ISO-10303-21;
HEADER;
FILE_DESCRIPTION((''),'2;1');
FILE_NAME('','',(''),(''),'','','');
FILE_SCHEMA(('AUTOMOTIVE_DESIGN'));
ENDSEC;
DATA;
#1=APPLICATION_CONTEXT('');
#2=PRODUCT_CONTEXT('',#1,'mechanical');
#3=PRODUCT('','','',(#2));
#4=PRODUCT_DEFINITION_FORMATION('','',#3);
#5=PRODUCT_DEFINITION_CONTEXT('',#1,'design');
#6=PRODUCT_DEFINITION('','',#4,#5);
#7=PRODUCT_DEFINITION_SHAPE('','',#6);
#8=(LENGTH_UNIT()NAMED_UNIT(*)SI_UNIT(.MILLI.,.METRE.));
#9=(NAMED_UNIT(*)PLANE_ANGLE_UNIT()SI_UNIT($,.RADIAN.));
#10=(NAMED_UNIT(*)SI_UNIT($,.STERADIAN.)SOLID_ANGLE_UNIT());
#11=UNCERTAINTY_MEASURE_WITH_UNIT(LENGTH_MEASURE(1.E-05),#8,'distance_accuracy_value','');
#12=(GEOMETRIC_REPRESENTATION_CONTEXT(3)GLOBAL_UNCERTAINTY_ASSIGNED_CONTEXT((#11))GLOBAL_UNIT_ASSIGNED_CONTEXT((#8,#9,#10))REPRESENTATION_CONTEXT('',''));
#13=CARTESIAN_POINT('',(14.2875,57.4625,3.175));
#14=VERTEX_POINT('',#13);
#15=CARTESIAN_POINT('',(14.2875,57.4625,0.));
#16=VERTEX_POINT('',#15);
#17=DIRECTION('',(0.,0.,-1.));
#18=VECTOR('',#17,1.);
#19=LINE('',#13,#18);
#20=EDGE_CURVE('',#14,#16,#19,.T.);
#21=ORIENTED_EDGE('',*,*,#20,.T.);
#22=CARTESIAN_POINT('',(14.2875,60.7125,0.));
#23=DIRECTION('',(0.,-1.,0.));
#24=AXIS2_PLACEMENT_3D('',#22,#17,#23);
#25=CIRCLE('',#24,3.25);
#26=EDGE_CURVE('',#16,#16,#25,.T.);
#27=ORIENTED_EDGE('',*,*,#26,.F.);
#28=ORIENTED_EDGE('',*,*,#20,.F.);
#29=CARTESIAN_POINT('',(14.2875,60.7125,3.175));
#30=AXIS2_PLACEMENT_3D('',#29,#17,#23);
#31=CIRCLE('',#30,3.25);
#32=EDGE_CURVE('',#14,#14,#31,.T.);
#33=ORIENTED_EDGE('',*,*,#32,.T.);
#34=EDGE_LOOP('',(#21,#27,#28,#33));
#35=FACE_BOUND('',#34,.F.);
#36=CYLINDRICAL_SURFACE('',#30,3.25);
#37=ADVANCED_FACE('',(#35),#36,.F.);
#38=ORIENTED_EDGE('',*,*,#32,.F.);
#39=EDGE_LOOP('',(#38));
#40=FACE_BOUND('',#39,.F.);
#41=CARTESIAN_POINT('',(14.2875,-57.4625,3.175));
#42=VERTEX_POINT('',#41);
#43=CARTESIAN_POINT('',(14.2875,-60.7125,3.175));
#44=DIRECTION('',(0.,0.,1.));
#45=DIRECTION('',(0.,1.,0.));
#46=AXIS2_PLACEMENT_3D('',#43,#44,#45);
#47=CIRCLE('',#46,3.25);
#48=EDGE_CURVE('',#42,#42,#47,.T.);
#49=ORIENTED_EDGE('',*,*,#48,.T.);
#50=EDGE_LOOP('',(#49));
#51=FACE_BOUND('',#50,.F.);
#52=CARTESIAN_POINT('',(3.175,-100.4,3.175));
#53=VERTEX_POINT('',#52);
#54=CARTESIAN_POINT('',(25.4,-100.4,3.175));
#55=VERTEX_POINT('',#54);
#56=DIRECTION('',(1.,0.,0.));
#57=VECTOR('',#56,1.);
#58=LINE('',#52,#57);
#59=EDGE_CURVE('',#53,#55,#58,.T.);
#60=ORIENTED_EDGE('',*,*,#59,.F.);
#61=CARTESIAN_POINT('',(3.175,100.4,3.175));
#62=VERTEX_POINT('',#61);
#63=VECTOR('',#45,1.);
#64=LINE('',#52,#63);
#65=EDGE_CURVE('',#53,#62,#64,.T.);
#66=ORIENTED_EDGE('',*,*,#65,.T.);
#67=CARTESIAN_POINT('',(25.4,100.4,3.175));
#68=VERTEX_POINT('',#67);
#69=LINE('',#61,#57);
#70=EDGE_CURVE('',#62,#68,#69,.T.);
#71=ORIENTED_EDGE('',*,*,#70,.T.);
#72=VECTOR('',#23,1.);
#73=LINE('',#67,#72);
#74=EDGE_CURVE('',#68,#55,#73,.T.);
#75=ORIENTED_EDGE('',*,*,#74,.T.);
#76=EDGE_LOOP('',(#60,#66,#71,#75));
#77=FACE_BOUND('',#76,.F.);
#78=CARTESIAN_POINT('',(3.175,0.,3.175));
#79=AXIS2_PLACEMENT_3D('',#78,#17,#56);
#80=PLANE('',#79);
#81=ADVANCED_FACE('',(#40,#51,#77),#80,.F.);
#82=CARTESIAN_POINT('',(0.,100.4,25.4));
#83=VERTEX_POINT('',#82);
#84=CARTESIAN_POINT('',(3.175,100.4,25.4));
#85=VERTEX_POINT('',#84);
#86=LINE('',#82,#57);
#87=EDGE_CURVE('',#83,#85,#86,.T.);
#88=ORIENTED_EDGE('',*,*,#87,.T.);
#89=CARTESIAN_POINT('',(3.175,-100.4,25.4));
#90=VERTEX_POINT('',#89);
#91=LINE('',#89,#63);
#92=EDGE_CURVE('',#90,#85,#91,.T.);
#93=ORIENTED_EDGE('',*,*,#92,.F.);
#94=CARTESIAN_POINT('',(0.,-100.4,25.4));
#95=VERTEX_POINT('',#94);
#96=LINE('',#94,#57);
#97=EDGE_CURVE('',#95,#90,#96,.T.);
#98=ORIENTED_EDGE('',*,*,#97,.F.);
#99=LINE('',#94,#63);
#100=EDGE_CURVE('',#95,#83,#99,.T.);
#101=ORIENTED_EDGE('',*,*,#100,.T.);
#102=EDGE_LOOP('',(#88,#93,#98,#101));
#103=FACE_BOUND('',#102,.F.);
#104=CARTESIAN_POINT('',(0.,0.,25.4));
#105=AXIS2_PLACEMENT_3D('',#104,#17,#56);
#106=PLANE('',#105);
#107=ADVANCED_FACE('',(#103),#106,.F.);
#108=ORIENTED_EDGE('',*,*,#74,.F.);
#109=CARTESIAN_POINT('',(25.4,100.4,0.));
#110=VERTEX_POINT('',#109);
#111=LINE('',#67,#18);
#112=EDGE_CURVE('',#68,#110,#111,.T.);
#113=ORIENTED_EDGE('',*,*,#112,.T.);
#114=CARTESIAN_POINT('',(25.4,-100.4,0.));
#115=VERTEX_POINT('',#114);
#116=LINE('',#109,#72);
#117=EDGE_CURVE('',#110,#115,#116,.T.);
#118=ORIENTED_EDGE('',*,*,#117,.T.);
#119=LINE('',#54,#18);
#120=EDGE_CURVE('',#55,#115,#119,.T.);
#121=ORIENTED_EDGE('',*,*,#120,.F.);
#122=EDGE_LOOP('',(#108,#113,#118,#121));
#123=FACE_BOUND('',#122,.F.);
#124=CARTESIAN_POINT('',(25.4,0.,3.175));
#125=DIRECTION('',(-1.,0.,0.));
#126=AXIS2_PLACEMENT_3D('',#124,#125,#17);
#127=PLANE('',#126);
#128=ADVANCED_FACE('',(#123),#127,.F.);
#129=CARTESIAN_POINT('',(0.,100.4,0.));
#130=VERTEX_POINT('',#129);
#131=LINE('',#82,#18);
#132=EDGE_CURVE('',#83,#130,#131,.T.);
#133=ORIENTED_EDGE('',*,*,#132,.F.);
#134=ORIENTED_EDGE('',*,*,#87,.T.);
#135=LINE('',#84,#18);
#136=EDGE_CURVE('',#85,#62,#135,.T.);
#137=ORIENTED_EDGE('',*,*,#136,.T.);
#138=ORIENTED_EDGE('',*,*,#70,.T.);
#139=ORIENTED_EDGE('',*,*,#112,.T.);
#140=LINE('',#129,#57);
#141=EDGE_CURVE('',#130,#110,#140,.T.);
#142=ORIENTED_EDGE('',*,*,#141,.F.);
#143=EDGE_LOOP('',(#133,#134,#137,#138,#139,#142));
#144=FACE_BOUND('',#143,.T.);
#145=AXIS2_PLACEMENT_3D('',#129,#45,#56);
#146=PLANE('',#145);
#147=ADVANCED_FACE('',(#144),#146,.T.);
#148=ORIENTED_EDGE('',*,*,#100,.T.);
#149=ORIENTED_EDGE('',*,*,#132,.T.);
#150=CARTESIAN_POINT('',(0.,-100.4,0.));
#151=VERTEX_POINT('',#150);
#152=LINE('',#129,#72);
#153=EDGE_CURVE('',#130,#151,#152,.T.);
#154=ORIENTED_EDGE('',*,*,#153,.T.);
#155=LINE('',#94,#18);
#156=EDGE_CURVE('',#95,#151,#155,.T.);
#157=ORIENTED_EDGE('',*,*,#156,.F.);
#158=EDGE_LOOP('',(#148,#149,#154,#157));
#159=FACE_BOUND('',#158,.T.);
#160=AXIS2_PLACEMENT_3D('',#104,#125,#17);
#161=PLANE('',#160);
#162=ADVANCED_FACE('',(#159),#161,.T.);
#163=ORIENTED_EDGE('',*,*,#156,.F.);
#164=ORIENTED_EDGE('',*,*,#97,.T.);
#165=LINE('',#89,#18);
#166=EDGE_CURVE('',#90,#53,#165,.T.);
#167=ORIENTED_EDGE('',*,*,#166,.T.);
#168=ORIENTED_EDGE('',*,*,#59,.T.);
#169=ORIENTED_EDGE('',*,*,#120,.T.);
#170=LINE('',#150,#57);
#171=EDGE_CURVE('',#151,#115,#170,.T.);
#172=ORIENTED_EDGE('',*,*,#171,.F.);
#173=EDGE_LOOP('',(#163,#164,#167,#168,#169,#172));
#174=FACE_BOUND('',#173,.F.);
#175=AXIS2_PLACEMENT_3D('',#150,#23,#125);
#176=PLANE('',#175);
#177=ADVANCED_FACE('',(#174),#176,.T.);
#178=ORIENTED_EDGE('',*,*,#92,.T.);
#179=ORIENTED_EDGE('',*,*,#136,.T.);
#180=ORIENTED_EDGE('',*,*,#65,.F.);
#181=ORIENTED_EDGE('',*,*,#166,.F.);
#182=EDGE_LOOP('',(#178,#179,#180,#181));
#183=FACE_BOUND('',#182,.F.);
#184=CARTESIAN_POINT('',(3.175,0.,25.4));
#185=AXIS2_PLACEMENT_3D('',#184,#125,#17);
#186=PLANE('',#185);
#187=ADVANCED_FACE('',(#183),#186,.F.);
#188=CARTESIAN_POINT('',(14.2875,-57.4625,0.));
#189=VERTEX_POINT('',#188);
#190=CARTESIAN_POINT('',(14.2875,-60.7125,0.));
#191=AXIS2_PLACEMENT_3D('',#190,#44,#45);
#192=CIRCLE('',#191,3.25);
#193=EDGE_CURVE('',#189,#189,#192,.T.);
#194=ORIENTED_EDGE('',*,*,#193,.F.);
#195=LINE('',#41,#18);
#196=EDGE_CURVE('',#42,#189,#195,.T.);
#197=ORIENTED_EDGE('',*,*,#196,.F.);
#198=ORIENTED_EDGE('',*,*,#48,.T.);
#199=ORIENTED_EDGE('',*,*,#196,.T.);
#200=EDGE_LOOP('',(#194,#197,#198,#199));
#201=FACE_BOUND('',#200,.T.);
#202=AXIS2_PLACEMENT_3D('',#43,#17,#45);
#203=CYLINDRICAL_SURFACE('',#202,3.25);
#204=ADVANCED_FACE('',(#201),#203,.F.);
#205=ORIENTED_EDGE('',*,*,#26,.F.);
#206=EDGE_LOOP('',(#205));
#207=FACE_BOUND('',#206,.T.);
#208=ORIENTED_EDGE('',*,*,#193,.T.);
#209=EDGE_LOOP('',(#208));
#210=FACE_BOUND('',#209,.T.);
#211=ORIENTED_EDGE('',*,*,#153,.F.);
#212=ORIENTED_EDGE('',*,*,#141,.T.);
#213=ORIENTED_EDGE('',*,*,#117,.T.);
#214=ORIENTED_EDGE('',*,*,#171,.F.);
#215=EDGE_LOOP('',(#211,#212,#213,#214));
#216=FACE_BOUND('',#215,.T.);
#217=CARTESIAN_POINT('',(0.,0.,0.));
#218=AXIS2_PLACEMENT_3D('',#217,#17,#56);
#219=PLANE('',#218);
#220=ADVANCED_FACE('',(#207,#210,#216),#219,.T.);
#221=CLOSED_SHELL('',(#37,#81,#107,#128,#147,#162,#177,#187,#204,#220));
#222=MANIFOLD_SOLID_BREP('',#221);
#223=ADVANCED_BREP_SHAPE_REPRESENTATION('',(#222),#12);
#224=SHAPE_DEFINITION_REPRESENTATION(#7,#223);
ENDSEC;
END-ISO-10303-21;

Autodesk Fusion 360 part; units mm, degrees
sketch "Sketch1" plane through (0, 0, 0) normal (0, 1, 0) x (1, 0, 0)
  line L0 (0, -25.4) -> (0, 0)
  line L1 (0, 0) -> (25.4, 0)
  line L2 (12.7, -12.7) -> (11.05, -11.05) construction
  line L3 (3.175, -25.4) -> (3.175, -3.175)
  line L4 (3.175, -3.175) -> (25.4, -3.175)
  line L5 (25.4, -3.175) -> (25.4, 0)
  line L6 (0, -25.4) -> (3.175, -25.4)
  dimension "d1" = 25.4
  dimension "d2" = 25.4
  dimension "d13" = 3.175
extrude "Extrude1" add sketch "Sketch1" along normal blind 100.4
hole "Hole3" at (14.2875, 60.7125, 3.175) direction (0, 0, -1) diameter 6.5 depth 30 tip angle 118
mirror "Mirror2" about plane through (0, 0, 0) normal (0, -1, 0) of bodies 1 merged
equation "d29 = ( 22.225 / 2 ) * 1 mm"
equation "d30 = ( 22.225 / 2 ) * 1 mm + 25.4 mm + 3.175 mm"
